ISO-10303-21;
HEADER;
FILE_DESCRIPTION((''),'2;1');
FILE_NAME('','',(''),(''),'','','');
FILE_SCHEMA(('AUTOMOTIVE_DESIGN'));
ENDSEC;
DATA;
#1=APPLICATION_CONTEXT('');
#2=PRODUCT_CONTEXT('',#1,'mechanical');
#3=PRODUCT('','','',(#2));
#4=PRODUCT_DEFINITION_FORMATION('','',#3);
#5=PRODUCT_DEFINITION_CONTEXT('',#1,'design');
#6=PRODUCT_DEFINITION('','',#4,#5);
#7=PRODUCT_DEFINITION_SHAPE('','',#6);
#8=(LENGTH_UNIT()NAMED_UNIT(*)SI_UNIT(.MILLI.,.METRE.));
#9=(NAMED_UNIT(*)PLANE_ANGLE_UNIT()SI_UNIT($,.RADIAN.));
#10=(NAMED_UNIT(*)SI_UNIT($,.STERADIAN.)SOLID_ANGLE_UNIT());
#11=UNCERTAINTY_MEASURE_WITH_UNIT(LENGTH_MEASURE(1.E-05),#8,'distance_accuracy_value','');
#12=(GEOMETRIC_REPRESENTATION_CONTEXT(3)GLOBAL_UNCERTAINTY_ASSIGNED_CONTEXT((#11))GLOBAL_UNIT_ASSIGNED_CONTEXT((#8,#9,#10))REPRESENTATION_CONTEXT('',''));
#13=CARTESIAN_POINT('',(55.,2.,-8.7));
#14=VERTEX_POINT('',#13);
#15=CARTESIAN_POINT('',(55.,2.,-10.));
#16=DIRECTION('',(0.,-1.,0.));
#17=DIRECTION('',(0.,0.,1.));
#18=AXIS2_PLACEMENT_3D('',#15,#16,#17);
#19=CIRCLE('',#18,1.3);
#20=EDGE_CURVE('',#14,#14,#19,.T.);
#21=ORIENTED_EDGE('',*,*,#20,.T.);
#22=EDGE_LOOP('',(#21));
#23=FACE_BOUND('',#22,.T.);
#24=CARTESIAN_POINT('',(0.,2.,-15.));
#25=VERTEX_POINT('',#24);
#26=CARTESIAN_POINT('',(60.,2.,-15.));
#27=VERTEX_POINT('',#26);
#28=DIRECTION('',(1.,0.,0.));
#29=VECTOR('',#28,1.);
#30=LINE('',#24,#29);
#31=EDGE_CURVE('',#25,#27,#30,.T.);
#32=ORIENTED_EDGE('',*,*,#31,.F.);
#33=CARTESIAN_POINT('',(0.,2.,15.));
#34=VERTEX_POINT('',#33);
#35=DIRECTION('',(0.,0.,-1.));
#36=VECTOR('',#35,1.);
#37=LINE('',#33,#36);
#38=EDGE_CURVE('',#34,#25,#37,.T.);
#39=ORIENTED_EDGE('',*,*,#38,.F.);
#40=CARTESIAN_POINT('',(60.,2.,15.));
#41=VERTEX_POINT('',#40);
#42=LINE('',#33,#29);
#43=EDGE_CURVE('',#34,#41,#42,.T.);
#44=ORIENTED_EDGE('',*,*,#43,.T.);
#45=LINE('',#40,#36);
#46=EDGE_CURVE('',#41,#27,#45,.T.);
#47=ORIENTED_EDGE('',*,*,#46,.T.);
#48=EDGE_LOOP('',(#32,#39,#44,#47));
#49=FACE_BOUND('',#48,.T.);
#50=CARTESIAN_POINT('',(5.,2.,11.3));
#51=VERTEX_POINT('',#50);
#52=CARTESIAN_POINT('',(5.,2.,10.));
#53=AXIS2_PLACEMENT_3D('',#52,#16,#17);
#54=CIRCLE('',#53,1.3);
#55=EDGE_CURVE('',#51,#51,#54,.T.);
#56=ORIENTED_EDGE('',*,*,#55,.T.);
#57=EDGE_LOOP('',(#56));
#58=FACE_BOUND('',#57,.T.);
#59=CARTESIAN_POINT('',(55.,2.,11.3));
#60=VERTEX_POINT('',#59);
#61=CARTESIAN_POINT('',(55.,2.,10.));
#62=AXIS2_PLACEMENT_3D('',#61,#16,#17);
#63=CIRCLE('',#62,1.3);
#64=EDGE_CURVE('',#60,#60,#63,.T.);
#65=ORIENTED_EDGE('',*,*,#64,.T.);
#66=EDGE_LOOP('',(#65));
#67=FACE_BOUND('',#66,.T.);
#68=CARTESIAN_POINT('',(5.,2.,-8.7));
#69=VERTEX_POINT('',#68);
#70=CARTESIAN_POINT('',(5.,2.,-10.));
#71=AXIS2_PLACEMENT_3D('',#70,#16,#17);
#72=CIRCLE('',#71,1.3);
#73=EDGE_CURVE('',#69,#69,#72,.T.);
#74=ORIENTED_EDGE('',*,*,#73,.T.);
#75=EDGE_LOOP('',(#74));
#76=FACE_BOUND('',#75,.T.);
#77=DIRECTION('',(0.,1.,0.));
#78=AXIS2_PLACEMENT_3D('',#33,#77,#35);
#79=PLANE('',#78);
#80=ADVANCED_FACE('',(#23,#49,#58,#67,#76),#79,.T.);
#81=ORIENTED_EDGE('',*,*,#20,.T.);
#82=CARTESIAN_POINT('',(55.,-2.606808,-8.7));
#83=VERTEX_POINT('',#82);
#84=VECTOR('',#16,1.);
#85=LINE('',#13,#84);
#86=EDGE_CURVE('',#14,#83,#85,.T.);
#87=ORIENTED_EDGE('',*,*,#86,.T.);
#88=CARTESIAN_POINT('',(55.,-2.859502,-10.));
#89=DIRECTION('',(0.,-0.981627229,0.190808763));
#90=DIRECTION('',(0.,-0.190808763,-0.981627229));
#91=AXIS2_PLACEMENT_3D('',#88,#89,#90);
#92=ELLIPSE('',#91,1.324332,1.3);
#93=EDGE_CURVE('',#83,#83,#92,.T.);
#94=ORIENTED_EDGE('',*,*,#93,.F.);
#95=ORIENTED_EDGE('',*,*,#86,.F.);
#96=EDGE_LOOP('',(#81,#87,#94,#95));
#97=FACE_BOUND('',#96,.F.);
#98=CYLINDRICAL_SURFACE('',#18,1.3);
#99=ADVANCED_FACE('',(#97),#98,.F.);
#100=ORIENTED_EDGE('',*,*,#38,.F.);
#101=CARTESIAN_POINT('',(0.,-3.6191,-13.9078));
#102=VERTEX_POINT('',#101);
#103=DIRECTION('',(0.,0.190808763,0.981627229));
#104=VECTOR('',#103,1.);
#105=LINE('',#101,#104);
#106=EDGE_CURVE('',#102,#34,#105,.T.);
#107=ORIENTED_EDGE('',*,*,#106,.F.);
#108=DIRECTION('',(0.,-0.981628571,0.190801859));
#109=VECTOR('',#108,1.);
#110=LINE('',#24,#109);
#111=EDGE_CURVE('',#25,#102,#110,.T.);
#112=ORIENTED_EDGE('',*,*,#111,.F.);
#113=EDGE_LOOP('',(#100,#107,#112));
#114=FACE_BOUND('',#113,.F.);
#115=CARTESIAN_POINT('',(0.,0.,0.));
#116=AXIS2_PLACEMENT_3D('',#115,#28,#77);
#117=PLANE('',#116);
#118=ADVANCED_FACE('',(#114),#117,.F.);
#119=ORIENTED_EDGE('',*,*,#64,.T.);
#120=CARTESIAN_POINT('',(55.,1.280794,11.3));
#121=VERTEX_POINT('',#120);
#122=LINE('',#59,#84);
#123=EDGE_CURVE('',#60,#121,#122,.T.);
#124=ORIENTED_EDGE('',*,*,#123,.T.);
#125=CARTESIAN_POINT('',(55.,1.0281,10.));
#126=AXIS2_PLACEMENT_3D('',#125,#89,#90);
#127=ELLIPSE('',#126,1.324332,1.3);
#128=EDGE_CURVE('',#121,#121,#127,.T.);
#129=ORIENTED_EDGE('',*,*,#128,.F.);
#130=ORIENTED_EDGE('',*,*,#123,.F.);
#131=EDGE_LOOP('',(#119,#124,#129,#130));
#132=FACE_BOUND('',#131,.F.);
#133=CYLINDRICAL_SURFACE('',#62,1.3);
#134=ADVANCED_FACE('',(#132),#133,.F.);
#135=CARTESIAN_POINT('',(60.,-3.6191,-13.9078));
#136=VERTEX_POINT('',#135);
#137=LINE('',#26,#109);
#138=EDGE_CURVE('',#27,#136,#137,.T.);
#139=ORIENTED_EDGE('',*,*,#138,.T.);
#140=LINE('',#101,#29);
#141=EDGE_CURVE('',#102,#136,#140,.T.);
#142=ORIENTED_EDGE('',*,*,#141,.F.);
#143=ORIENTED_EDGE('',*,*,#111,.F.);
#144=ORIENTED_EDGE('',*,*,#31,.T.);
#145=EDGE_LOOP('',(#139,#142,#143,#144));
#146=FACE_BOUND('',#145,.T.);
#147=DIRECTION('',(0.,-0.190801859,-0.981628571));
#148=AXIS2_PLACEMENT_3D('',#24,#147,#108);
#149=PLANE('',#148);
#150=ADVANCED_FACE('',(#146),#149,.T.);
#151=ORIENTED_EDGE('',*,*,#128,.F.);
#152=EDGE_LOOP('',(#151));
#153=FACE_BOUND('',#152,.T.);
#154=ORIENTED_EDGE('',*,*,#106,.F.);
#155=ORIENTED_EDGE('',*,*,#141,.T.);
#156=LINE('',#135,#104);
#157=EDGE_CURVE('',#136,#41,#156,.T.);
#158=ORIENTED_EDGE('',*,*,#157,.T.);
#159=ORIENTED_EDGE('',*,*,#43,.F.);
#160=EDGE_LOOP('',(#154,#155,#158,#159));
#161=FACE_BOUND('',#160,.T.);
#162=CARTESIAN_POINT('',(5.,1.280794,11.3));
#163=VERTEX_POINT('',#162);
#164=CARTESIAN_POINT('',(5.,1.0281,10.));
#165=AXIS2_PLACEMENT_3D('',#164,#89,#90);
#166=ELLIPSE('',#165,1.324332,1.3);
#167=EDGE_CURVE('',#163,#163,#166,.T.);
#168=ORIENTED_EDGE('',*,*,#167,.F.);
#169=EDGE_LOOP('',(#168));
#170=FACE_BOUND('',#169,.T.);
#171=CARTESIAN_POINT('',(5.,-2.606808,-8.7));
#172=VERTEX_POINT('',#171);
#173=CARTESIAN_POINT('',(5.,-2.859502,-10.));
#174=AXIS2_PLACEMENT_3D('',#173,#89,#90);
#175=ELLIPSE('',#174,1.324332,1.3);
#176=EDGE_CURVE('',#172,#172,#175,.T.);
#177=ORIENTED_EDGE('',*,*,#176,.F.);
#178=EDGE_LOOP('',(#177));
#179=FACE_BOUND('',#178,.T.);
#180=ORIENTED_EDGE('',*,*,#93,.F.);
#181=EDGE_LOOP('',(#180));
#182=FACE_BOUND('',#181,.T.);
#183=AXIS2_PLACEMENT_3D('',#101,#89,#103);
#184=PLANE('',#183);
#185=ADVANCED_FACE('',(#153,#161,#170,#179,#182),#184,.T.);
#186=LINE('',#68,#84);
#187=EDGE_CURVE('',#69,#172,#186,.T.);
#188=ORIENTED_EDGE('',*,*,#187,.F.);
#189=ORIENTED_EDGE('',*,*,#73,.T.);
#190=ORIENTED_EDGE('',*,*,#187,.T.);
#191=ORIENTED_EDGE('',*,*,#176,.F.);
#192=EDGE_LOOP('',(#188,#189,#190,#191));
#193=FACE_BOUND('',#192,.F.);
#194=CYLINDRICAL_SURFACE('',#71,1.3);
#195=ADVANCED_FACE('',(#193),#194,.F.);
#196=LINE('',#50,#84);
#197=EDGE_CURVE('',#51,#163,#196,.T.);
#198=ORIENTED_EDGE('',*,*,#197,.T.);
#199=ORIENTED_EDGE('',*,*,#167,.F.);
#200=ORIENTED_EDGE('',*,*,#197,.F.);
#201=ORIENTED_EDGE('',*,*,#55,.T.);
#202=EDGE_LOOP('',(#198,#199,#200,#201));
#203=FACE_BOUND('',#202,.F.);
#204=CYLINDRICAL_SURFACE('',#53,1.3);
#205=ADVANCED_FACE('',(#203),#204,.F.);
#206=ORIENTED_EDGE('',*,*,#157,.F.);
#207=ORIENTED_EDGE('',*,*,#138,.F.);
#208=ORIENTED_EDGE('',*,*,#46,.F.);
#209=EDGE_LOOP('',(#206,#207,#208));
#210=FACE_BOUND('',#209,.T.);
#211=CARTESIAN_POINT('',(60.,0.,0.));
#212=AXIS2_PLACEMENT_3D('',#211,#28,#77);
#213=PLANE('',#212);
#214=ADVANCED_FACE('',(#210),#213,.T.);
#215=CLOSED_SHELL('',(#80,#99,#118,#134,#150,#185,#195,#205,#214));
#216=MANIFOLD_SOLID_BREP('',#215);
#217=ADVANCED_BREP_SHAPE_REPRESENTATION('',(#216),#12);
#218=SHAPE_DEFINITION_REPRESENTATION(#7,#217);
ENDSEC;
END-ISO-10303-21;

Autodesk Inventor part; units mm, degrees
ref_plane "YZ Plane" through (0, 0, 0) normal (1, 0, 0) x (0, 1, 0)
ref_plane "XZ Plane" through (0, 0, 0) normal (0, 1, 0) x (-1, 0, 0)
ref_plane "XY Plane" through (0, 0, 0) normal (0, 0, 1) x (1, 0, 0)
sketch "スケッチ1" plane through (0, 0, 0) normal (1, 0, 0) x (0, 1, 0)
  line L0 (2, 15) -> (2, -15)
  line L1 (2, -15) -> (-3.6191, -13.9078)
  line L2 (-3.6191, -13.9078) -> (2, 15)
  point P0 (0, 0)
  dimension "d0" = 11
  dimension "d1" = 30
  dimension "d4" = 2
  dimension "d5" = 15
extrude "押し出し1" add sketch "スケッチ1" along normal blind 60
sketch "スケッチ2" plane through (0, 2, 15) normal (0, 1, 0) x (1, 0, 0)
  line L0 (60, 30) -> (60, 0) projected
  line L1 (0, 30) -> (60, 30) projected
  circle A0 centre (5, 5) radius 1.3
  circle A1 centre (5, 25) radius 1.3
  circle A2 centre (55, 5) radius 1.3
  circle A3 centre (55, 25) radius 1.3
  point P0 (0, 15)
  dimension "d8" = 2.6
  dimension "d11" = 50
  dimension "d12" = 50
  dimension "d13" = 20
  dimension "d14" = 20
  dimension "d15" = 5
  dimension "d16" = 5
  dimension "d17" = 5
  dimension "d18" = 5
hole "穴1" at (5, 2, 10) at (55, 2, 10) at (55, 2, -10) at (5, 2, -10) direction (0, -1, 0) diameter 2.6 end through all
thread "ねじ1" size "M2.6x0.45" class "6H" standard "ANSI Metric M Profile" full length
thread "ねじ2" size "M2.6x0.45" class "6H" standard "ANSI Metric M Profile" full length
thread "ねじ3" size "M2.6x0.45" class "6H" standard "ANSI Metric M Profile" full length
thread "ねじ4" size "M2.6x0.45" class "6H" standard "ANSI Metric M Profile" full length
properties part number "Third_Flame_Spacer" material "アセタール樹脂、白"
